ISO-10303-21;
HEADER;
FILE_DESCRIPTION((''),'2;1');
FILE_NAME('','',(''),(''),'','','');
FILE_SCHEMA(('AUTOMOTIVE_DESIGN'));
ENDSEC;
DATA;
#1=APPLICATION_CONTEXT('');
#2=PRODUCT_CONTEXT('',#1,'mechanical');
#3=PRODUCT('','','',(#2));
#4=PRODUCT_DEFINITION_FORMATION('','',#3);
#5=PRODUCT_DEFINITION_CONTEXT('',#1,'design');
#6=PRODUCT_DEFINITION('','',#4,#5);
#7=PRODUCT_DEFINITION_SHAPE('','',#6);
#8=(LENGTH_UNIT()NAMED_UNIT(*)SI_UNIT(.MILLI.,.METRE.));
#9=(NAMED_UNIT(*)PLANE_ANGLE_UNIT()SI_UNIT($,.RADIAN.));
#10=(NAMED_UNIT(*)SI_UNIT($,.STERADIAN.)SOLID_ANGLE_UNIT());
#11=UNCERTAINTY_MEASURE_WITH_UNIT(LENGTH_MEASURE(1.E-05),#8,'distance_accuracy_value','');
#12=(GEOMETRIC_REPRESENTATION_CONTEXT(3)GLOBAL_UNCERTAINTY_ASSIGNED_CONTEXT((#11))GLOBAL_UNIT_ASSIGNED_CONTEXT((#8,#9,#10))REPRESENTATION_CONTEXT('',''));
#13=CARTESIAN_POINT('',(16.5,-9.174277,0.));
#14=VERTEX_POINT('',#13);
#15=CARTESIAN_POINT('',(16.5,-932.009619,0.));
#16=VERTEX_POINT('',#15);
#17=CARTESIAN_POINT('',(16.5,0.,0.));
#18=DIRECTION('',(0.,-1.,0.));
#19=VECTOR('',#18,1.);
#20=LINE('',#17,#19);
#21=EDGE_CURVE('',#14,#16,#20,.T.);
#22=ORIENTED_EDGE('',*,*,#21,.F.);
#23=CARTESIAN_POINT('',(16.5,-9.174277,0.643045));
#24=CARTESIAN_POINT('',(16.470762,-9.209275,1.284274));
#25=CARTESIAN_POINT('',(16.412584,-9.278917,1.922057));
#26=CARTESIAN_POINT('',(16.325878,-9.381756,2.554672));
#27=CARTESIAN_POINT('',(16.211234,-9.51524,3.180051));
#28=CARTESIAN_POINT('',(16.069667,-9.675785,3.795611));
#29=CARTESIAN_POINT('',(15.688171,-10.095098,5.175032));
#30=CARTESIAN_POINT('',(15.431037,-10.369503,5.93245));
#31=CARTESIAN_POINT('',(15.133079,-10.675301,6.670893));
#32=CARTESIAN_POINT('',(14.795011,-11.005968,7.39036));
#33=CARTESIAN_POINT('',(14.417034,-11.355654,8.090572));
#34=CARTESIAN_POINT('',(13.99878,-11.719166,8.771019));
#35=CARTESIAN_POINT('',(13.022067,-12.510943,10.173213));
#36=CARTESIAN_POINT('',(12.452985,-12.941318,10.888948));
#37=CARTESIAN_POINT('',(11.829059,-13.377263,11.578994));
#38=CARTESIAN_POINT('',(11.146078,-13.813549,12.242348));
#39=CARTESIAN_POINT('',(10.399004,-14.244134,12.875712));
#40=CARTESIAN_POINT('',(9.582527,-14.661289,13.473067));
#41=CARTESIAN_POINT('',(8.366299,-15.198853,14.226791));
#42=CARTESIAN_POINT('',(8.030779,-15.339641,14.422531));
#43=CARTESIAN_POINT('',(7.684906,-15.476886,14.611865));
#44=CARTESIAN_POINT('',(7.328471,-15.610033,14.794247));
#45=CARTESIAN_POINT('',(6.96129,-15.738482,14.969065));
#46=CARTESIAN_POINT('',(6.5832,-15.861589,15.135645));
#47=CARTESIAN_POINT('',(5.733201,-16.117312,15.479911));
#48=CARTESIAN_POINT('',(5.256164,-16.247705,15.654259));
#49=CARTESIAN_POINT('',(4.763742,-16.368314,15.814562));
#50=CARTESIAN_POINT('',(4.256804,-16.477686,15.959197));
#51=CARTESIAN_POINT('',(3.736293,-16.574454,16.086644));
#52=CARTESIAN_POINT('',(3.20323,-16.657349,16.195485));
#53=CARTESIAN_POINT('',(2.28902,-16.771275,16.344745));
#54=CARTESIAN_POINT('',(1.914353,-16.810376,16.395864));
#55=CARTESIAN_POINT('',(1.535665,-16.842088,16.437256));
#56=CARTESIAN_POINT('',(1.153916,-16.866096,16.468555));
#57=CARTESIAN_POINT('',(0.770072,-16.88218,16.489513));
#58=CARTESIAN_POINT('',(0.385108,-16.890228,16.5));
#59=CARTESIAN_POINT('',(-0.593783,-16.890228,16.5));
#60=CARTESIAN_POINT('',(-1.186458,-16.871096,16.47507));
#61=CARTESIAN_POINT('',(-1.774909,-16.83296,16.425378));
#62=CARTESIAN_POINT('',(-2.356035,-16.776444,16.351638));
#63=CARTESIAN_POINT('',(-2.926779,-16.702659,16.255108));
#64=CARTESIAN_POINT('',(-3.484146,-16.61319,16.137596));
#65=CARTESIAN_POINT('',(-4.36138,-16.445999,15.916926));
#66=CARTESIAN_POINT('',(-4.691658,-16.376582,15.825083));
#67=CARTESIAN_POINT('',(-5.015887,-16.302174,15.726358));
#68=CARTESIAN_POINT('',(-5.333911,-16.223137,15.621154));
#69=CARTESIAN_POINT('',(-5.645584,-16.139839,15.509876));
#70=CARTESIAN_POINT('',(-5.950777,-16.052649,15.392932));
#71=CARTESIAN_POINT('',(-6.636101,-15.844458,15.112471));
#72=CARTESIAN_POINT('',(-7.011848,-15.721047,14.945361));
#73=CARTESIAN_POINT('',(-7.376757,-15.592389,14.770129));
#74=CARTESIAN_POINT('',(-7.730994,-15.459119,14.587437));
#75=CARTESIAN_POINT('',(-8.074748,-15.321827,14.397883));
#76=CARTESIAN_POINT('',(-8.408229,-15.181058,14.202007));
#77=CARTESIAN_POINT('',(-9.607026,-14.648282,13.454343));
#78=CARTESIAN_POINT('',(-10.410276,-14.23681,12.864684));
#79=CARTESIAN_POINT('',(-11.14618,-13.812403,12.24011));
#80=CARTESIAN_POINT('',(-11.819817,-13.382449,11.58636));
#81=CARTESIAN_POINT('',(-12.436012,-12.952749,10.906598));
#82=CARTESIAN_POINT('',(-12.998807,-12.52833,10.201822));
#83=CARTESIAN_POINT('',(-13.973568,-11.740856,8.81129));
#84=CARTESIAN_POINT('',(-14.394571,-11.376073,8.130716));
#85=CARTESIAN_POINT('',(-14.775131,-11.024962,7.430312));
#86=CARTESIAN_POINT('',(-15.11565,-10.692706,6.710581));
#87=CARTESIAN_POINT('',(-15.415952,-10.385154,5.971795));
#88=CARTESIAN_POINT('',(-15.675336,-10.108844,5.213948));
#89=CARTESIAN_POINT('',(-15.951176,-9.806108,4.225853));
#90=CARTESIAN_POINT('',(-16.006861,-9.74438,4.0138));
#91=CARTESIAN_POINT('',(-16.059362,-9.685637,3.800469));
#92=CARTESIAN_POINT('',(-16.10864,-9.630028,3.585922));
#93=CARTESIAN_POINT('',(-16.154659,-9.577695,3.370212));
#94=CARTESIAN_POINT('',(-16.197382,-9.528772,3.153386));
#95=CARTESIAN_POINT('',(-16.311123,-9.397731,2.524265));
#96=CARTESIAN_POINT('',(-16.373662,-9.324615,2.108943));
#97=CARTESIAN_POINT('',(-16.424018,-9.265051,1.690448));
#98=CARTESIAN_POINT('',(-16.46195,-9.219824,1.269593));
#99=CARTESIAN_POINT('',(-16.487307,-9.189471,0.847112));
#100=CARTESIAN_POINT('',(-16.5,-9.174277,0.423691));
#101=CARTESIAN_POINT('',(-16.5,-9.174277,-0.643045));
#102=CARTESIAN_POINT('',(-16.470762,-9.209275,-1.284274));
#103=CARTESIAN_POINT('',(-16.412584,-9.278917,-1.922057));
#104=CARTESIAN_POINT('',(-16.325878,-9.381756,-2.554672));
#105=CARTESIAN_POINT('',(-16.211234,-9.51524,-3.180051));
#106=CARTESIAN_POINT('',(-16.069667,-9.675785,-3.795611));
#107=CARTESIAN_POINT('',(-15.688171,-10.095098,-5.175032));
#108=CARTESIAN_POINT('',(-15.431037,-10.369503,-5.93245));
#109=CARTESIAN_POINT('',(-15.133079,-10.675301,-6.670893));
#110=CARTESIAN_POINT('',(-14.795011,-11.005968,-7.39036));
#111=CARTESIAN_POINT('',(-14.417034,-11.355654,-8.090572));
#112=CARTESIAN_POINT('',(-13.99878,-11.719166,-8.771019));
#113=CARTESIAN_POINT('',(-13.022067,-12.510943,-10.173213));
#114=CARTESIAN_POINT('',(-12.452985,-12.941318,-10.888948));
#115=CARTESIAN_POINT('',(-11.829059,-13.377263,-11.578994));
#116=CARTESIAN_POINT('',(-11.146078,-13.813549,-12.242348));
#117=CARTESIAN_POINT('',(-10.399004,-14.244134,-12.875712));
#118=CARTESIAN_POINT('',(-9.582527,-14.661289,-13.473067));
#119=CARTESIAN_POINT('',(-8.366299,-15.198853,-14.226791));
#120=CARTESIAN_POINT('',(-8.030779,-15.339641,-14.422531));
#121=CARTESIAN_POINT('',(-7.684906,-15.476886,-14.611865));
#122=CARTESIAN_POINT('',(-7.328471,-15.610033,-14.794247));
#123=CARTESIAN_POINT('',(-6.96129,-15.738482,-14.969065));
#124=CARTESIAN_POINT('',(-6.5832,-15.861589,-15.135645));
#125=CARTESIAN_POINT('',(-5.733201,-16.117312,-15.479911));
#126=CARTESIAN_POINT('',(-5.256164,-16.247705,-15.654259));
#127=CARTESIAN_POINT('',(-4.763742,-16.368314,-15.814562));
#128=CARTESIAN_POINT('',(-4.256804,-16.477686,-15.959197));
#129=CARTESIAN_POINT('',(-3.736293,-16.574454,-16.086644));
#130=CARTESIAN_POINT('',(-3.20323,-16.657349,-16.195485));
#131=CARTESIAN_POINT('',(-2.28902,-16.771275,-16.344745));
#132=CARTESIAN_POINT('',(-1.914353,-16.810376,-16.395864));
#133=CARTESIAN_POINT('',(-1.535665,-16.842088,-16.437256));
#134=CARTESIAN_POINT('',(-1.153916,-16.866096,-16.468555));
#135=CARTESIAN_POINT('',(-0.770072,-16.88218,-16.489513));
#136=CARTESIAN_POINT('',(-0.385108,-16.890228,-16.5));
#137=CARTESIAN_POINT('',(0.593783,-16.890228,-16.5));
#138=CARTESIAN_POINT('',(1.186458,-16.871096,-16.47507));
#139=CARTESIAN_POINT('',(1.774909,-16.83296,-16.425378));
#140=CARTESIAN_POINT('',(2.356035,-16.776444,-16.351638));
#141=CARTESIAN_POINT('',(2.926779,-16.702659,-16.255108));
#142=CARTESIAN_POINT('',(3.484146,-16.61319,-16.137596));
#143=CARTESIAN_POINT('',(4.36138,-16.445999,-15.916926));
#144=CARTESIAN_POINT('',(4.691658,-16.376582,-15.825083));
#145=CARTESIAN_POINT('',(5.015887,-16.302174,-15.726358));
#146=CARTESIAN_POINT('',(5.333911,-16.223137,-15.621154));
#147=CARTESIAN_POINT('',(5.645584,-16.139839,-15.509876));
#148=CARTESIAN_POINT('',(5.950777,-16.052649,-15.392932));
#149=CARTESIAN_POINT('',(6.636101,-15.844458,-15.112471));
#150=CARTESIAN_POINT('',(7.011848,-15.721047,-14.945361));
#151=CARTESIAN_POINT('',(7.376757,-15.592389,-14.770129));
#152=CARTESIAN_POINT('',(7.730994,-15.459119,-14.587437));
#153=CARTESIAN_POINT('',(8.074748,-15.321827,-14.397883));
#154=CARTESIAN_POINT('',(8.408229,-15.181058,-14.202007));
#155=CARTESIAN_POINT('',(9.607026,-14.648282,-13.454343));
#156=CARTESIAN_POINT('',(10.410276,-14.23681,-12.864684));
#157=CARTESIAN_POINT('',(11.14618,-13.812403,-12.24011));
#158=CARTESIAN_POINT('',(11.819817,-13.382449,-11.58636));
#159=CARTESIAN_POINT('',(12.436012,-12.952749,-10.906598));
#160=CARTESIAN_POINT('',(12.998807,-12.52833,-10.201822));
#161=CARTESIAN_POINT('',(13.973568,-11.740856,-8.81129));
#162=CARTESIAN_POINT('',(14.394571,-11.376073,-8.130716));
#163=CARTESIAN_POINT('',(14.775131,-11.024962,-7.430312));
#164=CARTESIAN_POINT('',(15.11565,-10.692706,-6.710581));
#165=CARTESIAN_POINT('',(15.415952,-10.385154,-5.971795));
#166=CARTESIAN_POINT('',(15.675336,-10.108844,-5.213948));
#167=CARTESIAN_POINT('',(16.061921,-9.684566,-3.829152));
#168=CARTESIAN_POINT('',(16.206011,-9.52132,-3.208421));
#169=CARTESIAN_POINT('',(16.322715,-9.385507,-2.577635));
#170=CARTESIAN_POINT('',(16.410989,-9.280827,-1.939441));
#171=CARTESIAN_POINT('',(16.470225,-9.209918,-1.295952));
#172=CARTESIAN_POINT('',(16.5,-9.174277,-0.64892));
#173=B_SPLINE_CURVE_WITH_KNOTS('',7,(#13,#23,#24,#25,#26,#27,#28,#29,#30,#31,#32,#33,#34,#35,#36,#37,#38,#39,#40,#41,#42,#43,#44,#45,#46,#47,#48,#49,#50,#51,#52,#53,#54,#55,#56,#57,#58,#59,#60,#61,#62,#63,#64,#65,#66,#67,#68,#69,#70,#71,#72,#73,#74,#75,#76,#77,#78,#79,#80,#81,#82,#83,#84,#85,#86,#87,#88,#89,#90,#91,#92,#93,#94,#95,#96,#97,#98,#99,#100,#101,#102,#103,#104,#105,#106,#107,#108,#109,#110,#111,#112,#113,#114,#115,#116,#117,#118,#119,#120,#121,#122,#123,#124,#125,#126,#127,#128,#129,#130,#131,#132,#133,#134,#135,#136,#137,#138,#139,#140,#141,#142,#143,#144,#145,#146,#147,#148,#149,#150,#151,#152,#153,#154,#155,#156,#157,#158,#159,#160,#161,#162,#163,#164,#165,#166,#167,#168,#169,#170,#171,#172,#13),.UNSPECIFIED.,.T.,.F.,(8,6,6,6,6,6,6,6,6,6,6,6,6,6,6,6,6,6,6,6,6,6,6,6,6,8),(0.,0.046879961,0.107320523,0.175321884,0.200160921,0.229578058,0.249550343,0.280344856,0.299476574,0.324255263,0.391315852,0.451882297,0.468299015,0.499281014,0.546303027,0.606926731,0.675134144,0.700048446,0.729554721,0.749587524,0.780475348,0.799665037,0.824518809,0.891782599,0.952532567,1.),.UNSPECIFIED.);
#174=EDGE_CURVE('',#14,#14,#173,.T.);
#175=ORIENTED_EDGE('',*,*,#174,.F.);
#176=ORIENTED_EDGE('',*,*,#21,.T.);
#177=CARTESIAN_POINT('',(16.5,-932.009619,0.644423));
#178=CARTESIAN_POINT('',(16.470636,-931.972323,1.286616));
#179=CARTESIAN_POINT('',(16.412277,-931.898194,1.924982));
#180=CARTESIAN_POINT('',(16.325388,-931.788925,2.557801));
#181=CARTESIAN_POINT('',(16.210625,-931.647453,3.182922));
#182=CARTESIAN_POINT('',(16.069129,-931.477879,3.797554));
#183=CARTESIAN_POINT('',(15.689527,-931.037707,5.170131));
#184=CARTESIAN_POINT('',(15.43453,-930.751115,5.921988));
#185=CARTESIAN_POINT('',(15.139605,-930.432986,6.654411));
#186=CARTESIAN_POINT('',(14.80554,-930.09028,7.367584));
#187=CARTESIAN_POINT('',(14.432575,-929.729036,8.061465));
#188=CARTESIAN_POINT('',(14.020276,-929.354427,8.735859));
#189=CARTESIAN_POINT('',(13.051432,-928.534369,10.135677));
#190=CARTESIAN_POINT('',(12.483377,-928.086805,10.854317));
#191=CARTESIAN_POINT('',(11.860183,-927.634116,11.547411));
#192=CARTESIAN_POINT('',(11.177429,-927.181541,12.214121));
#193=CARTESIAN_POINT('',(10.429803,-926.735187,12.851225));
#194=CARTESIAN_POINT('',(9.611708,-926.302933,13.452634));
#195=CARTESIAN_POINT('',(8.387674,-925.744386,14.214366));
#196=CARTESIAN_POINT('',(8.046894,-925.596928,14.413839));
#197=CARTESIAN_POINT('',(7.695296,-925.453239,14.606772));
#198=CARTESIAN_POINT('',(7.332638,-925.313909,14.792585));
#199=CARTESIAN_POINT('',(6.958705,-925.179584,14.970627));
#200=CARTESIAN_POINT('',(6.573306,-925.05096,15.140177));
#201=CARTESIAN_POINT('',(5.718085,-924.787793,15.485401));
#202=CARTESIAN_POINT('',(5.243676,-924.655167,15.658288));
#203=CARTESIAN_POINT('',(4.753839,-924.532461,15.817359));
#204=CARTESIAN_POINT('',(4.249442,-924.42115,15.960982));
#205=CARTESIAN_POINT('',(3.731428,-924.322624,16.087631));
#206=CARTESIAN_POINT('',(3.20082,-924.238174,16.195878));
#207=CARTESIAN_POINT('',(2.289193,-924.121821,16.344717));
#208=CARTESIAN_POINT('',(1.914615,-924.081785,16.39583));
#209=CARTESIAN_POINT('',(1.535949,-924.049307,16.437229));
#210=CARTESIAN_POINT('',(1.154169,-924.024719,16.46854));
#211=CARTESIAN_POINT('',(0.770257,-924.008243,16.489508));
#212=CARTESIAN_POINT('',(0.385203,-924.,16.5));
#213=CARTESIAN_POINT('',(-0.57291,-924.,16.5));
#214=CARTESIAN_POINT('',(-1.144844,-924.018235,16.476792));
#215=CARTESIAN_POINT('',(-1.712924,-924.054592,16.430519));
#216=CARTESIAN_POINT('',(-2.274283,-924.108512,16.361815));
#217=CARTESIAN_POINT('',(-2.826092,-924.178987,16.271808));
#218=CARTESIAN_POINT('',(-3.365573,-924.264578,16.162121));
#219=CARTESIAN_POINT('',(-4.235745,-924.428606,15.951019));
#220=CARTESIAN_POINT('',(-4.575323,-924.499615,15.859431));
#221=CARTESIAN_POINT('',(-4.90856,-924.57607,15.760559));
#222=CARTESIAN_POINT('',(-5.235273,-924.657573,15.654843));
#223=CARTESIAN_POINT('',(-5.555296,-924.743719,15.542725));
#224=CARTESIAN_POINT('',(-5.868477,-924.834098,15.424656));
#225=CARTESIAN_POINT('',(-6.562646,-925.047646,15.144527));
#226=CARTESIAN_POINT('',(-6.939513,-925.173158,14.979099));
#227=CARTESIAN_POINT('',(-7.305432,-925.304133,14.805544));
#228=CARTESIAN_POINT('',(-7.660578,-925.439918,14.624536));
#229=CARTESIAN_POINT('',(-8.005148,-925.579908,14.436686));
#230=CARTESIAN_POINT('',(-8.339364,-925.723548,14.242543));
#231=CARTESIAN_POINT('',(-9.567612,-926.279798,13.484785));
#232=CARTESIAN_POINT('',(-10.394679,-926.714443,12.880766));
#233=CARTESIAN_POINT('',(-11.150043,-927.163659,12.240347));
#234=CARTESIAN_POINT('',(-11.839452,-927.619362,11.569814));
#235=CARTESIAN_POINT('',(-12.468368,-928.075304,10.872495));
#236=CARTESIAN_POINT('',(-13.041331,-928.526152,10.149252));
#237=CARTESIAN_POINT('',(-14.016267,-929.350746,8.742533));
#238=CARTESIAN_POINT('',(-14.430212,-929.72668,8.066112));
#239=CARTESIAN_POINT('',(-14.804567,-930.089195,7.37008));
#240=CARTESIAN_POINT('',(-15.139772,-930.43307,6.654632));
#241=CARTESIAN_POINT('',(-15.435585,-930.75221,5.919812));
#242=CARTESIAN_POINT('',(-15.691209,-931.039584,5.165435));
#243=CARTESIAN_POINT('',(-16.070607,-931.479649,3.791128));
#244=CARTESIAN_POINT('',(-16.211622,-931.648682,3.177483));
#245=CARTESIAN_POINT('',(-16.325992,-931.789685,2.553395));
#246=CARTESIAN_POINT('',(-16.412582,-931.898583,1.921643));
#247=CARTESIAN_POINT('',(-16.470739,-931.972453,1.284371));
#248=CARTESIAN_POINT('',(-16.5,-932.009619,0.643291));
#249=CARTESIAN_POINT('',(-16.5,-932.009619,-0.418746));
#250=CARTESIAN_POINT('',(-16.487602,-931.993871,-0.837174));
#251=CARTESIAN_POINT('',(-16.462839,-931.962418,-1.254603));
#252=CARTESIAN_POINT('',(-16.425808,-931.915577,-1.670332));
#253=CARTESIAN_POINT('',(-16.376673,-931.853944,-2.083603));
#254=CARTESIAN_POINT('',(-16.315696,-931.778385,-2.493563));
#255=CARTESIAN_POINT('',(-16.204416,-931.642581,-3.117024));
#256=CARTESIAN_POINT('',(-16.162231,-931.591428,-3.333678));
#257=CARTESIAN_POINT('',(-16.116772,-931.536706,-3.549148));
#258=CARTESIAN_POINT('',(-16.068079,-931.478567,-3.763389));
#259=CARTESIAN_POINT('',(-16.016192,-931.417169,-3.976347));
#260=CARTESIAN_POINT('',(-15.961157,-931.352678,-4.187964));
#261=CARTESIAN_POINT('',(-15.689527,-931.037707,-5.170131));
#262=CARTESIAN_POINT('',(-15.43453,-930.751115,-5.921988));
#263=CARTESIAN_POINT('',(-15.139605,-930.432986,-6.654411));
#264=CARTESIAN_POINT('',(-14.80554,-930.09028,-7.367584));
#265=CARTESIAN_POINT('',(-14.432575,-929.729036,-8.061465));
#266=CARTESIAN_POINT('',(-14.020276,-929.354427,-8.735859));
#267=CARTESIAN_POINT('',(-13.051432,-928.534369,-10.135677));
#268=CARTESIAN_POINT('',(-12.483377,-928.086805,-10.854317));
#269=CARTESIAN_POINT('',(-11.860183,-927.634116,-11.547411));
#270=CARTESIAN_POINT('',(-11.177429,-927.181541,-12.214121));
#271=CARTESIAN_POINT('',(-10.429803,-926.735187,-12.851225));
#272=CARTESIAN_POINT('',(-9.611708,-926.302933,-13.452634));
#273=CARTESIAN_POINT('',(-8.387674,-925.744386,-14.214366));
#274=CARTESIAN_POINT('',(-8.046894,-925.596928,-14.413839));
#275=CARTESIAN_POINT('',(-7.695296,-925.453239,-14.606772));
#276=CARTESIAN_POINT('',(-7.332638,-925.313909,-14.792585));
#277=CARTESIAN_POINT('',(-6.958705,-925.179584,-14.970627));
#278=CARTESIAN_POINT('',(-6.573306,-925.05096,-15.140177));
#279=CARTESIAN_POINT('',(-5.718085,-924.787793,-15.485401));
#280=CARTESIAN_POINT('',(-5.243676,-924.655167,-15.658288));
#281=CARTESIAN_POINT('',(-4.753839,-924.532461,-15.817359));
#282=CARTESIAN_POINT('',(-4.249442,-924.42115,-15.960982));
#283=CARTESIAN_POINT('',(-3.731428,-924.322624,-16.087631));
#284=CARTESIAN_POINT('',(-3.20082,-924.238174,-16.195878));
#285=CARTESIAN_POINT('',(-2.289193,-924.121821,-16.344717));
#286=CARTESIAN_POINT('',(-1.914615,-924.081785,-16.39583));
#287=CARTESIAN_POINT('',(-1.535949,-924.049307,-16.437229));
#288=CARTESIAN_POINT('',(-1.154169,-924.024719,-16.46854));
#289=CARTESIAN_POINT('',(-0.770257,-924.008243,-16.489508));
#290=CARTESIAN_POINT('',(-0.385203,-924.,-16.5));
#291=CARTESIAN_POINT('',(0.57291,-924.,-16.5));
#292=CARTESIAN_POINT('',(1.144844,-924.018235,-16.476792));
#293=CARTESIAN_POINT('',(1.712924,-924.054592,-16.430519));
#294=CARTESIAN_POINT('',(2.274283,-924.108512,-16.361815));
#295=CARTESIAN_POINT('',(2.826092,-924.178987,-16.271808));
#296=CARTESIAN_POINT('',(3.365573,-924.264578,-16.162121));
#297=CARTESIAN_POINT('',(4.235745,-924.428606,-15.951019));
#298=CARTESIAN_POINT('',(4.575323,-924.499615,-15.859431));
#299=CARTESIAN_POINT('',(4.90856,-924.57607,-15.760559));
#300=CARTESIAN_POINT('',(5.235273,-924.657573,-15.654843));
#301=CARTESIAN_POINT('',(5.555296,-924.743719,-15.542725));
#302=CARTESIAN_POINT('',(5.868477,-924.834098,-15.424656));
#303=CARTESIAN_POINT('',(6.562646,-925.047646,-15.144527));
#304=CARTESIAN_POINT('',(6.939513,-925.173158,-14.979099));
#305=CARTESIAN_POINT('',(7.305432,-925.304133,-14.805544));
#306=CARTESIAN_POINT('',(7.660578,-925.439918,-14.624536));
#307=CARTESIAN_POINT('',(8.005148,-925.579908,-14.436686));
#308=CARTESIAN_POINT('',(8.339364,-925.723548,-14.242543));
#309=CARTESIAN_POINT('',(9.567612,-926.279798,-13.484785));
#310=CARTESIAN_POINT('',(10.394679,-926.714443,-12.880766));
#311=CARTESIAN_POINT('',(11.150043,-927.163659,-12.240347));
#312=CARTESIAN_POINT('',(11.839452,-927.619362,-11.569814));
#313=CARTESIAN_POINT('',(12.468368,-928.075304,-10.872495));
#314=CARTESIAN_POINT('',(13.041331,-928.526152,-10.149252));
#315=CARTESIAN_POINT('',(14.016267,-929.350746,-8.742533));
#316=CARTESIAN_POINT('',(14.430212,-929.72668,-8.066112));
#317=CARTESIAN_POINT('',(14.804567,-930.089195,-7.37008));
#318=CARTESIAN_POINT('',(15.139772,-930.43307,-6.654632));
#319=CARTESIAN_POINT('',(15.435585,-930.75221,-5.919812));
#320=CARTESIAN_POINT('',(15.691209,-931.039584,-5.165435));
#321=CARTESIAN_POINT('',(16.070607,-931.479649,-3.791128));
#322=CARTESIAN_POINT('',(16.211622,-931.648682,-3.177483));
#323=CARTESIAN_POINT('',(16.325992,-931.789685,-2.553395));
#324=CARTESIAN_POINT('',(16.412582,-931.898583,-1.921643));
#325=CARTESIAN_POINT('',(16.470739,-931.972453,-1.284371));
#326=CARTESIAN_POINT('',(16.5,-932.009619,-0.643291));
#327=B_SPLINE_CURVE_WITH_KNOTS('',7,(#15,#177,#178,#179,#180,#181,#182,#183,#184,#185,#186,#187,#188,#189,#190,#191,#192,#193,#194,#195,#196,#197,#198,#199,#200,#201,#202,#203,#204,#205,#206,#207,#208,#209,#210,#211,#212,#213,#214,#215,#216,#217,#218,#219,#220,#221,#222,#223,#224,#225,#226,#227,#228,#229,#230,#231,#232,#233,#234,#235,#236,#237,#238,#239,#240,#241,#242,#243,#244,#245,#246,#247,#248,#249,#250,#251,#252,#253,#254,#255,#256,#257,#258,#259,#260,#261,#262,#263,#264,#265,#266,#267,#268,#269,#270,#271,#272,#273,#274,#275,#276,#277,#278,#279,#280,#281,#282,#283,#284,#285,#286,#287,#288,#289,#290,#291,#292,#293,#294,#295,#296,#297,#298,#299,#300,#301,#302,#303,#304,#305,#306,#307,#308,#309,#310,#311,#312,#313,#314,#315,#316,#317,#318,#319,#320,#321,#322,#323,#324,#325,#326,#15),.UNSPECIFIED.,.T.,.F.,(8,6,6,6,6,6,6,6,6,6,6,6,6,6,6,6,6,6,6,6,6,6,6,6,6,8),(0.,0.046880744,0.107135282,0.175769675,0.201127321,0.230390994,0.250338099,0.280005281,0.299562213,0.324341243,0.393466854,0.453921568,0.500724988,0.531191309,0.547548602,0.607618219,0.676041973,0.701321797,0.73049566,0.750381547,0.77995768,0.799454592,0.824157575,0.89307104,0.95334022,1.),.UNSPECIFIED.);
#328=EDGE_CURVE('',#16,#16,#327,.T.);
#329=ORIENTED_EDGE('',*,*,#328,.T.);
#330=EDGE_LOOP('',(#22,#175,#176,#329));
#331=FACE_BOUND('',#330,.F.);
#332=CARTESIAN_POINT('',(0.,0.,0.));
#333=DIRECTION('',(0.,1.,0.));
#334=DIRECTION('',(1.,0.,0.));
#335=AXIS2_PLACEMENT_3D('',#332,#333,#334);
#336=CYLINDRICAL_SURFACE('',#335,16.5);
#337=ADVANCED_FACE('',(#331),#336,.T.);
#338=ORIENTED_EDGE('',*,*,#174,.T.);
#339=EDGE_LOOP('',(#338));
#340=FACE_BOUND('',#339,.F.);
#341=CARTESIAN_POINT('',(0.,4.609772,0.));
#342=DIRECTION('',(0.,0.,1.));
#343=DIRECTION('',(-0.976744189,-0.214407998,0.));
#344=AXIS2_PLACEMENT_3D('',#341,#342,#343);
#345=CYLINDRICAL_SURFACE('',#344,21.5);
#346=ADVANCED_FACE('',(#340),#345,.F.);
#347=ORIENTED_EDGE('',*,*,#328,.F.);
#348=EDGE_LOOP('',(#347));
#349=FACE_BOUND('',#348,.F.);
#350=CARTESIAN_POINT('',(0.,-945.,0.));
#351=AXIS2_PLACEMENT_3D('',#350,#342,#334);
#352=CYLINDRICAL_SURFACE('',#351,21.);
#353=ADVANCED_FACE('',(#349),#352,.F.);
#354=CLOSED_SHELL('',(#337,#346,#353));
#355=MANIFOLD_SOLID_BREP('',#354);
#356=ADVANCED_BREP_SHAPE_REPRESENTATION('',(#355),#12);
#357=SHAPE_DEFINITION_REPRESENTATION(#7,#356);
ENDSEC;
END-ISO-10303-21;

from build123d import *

# Parameters (mm, degrees)
F0_R     = 16.5
F1_DEPTH = 945
F3_DEPTH = 500
F5_DEPTH = 50


with BuildPart() as f1:
    # F0 (on Front) → F1 (new body)
    with BuildSketch(Plane.XZ):
        Circle(F0_R)
    extrude(amount=F1_DEPTH)

    # F2 (on Top) → F3 (cut, symmetric)
    with BuildSketch(Plane.XY):
        with BuildLine():
            Line((0, 0), (-21, 0))
            ThreePointArc((-21, 0), (0, -16.890228), (21, 0))
            Line((21, 0), (0, 0))
        make_face()
    extrude(amount=F3_DEPTH, both=True, mode=Mode.SUBTRACT)

    # F4 (on Top) → F5 (cut, symmetric)
    with BuildSketch(Plane.XY):
        with BuildLine():
            Line((-21, -945), (21, -945))
            ThreePointArc((21, -945), (0, -924), (-21, -945))
        make_face()
    extrude(amount=F5_DEPTH, both=True, mode=Mode.SUBTRACT)


solid = f1.part
